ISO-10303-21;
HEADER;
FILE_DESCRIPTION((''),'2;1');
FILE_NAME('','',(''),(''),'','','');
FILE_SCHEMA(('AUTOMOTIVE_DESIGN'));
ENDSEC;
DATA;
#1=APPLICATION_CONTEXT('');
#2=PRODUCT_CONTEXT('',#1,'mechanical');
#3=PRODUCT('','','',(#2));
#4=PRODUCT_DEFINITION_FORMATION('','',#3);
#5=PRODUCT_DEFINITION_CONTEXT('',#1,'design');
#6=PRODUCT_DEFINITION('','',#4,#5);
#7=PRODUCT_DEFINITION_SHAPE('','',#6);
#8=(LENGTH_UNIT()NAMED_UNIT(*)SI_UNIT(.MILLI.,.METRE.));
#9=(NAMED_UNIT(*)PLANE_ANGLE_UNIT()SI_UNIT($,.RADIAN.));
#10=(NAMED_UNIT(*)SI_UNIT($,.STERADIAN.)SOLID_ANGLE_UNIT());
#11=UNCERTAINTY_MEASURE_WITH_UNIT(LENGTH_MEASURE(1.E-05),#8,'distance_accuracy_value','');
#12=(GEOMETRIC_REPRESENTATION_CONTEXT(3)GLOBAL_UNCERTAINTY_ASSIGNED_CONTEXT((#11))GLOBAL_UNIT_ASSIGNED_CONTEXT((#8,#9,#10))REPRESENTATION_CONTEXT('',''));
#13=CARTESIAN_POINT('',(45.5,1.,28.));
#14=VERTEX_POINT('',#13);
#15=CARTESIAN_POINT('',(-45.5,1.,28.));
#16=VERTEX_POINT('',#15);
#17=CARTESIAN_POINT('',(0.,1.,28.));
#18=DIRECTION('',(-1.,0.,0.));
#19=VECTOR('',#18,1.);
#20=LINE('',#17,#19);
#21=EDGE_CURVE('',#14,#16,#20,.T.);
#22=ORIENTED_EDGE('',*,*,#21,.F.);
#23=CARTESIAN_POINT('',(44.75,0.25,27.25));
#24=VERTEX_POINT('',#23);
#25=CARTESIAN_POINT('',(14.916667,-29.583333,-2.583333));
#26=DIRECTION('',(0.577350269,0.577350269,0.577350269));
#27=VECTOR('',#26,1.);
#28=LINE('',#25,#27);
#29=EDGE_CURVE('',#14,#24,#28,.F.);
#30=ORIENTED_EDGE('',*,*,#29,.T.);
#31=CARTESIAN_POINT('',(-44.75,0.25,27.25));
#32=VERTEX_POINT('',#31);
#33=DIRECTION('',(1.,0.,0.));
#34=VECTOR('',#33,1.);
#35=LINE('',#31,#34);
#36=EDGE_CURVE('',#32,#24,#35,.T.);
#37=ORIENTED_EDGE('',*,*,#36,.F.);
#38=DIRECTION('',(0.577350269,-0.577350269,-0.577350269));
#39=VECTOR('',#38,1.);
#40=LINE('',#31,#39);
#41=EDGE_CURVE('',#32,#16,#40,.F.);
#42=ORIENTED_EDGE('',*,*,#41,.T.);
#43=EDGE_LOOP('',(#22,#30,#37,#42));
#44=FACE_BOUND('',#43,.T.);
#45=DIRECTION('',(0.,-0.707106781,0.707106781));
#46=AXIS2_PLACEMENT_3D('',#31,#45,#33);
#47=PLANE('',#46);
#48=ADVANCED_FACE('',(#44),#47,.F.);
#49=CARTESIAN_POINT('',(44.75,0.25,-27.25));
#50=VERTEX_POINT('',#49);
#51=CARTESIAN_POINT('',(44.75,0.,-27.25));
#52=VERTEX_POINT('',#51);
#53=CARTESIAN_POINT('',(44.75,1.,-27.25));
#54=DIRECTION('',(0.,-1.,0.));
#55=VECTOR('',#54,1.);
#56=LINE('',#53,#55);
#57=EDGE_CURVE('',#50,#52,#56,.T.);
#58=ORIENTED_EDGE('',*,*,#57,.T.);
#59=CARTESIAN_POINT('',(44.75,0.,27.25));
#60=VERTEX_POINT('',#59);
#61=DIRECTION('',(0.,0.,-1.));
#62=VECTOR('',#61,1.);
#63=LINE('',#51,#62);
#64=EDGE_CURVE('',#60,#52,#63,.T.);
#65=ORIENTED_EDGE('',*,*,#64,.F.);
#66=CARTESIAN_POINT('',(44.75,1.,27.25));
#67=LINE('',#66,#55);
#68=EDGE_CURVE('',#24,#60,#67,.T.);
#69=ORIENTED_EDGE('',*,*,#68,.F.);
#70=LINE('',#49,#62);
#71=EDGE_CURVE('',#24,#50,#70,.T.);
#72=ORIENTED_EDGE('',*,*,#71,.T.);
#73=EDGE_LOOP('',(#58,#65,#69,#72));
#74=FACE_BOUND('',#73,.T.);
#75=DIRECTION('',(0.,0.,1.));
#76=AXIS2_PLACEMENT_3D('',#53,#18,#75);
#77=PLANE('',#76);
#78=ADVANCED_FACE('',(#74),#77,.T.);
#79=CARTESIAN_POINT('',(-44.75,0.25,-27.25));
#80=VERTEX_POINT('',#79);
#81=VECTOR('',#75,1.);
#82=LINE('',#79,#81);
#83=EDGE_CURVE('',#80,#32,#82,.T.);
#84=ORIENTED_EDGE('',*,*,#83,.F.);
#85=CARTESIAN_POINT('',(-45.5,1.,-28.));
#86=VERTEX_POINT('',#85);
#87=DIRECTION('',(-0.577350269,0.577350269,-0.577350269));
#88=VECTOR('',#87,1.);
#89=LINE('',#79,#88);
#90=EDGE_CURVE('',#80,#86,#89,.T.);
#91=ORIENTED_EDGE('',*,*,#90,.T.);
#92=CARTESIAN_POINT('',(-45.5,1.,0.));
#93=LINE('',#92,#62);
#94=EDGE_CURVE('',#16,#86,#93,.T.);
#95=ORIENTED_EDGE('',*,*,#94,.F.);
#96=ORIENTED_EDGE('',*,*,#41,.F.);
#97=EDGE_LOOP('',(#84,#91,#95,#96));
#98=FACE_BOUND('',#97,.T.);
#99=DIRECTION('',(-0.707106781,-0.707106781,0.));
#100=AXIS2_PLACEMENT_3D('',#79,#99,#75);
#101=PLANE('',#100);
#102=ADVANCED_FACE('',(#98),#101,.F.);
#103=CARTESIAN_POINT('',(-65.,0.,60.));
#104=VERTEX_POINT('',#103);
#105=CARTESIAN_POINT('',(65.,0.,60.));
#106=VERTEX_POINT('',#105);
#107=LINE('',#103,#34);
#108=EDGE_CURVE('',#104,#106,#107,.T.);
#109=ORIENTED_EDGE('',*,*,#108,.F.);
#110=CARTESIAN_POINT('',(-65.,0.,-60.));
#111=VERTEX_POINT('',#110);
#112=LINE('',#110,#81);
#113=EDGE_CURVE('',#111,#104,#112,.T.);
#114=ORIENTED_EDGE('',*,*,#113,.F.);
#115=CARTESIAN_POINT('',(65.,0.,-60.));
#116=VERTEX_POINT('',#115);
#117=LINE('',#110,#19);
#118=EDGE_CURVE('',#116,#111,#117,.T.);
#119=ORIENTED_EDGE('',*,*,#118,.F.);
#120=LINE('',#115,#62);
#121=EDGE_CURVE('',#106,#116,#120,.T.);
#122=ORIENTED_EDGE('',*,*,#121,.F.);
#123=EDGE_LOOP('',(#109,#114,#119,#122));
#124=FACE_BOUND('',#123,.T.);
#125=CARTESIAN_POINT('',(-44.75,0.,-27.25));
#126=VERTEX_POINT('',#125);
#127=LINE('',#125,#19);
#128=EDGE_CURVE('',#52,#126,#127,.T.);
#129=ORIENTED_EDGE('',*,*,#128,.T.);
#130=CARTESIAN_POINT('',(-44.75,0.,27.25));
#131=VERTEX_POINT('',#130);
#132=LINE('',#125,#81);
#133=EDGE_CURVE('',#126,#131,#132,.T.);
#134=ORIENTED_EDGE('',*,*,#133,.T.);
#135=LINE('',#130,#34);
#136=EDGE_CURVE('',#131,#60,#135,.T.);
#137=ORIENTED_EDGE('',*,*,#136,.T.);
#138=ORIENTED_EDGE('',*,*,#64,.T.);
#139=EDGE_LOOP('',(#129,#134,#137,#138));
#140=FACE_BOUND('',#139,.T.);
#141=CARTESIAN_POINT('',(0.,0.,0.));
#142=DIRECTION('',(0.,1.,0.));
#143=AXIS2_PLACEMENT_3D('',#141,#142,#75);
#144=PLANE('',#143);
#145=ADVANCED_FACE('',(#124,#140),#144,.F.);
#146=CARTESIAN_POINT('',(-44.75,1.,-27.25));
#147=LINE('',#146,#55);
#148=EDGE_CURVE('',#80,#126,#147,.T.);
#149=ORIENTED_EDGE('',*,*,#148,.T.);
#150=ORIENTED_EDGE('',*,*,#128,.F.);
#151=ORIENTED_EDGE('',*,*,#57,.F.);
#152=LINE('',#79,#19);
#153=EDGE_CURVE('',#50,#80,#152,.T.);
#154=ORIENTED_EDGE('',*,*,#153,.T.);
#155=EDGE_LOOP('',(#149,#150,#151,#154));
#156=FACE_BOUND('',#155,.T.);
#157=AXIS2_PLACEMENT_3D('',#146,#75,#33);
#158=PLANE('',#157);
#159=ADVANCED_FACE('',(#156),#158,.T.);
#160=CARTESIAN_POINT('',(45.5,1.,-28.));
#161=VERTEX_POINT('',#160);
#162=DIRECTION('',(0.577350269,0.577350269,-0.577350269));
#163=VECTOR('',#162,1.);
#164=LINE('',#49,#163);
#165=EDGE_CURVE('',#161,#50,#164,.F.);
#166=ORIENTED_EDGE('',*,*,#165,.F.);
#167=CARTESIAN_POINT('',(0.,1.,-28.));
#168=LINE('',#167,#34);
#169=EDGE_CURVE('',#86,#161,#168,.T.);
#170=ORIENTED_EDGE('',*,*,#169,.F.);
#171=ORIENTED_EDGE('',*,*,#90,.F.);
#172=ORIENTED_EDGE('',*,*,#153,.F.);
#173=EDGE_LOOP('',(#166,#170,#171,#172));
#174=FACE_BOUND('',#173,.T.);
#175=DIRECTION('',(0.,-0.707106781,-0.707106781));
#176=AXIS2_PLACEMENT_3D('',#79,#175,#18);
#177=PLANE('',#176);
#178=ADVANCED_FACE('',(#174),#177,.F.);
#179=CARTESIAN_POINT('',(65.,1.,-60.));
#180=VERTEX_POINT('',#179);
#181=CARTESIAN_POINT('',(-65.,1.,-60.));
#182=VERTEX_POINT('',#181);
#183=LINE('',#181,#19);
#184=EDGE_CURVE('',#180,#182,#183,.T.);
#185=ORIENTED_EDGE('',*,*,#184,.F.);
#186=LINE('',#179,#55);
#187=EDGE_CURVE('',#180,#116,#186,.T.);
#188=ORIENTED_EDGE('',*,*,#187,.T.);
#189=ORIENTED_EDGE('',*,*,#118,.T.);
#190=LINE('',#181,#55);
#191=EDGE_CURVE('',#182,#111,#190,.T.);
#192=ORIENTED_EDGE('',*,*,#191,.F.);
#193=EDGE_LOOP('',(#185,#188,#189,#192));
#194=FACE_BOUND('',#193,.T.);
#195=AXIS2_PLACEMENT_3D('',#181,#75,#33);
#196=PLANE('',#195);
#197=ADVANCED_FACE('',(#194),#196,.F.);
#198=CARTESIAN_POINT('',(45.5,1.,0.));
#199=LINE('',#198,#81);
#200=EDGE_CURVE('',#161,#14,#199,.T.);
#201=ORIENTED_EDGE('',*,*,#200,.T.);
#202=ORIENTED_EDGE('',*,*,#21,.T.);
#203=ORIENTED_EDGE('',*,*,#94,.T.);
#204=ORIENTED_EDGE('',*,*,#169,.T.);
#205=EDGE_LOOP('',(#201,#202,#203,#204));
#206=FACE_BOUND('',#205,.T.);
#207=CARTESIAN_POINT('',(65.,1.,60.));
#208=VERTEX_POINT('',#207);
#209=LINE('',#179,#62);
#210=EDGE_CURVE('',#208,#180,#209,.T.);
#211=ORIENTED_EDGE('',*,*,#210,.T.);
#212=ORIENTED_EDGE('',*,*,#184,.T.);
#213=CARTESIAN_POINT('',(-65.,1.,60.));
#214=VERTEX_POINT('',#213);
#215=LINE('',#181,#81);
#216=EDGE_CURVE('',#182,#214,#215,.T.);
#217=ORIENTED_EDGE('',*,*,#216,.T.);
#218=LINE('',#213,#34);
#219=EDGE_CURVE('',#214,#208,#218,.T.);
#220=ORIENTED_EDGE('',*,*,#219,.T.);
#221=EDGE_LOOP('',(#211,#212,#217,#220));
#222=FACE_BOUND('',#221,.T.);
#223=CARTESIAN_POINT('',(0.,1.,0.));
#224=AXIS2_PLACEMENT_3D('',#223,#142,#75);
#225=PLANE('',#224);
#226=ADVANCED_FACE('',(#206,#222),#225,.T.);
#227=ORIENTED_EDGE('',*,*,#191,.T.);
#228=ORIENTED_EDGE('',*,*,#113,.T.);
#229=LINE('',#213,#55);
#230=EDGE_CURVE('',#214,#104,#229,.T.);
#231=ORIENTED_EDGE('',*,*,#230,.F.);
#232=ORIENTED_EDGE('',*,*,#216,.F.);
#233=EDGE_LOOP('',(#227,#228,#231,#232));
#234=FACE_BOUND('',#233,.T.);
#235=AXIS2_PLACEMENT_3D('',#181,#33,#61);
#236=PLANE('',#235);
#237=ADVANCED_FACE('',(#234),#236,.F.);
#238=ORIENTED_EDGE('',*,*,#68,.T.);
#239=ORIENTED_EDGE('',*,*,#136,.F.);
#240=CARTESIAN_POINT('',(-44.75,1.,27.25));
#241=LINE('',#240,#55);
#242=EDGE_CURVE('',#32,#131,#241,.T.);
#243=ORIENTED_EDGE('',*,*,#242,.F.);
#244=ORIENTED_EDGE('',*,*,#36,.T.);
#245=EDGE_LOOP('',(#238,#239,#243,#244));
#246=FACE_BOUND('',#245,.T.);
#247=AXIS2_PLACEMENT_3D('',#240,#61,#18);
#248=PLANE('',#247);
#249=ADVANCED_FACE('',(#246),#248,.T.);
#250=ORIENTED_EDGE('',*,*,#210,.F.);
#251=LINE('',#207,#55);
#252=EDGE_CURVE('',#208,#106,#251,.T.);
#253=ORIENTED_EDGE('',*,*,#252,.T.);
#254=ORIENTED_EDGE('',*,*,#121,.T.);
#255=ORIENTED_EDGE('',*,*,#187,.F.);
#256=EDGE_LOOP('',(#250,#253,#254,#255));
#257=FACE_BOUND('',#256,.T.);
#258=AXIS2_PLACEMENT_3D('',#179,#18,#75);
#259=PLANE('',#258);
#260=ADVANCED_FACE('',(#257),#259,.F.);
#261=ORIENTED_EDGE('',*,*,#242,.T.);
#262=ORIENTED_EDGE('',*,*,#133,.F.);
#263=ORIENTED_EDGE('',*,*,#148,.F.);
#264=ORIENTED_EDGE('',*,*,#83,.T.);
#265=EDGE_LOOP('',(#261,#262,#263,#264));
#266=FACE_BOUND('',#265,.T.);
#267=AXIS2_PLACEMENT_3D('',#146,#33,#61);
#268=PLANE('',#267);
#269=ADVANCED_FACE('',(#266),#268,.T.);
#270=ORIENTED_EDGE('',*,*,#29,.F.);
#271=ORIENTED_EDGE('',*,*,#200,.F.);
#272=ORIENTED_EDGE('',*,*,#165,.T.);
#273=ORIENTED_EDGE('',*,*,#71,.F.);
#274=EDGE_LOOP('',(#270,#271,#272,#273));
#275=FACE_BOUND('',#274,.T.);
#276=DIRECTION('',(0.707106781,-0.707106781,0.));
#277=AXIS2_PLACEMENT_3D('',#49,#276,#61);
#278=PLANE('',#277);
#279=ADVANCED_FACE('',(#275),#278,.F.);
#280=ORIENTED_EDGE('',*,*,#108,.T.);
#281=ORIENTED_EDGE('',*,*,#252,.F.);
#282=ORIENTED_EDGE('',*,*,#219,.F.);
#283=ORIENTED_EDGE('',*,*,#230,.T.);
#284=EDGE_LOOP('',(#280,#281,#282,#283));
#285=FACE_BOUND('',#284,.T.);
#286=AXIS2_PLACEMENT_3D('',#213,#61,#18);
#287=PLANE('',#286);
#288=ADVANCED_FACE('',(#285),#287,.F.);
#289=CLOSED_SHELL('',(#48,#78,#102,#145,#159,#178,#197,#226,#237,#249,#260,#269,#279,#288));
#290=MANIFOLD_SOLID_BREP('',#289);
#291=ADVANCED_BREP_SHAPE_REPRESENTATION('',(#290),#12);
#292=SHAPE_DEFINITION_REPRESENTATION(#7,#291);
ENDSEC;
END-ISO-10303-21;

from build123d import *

# Parameters (mm, degrees)
SKETCH1_W           = 130
SKETCH1_H           = 120
SKETCH1_W_2         = 89.5
SKETCH1_H_2         = 54.5
BOSS_EXTRUDE1_DEPTH = 1
CHAMFER1_SIZE       = 0.75


with BuildPart() as part:
    # Sketch1 → Boss-Extrude1 (new body)
    with BuildSketch(Plane(origin=(0, 0, 0), x_dir=(1, 0, 0), z_dir=(0, 1, 0))):
        Rectangle(SKETCH1_W, SKETCH1_H)
        Rectangle(SKETCH1_W_2, SKETCH1_H_2, mode=Mode.SUBTRACT)
    extrude(amount=BOSS_EXTRUDE1_DEPTH)

    # Chamfer1
    chamfer1_edges = [part.edges().sort_by_distance(p)[0] for p in [
        (44.75, 1, 0),
        (0, 1, -27.25),
        (-44.75, 1, 0),
        (0, 1, 27.25),
    ]]
    chamfer(chamfer1_edges, length=CHAMFER1_SIZE)


solid = part.part
